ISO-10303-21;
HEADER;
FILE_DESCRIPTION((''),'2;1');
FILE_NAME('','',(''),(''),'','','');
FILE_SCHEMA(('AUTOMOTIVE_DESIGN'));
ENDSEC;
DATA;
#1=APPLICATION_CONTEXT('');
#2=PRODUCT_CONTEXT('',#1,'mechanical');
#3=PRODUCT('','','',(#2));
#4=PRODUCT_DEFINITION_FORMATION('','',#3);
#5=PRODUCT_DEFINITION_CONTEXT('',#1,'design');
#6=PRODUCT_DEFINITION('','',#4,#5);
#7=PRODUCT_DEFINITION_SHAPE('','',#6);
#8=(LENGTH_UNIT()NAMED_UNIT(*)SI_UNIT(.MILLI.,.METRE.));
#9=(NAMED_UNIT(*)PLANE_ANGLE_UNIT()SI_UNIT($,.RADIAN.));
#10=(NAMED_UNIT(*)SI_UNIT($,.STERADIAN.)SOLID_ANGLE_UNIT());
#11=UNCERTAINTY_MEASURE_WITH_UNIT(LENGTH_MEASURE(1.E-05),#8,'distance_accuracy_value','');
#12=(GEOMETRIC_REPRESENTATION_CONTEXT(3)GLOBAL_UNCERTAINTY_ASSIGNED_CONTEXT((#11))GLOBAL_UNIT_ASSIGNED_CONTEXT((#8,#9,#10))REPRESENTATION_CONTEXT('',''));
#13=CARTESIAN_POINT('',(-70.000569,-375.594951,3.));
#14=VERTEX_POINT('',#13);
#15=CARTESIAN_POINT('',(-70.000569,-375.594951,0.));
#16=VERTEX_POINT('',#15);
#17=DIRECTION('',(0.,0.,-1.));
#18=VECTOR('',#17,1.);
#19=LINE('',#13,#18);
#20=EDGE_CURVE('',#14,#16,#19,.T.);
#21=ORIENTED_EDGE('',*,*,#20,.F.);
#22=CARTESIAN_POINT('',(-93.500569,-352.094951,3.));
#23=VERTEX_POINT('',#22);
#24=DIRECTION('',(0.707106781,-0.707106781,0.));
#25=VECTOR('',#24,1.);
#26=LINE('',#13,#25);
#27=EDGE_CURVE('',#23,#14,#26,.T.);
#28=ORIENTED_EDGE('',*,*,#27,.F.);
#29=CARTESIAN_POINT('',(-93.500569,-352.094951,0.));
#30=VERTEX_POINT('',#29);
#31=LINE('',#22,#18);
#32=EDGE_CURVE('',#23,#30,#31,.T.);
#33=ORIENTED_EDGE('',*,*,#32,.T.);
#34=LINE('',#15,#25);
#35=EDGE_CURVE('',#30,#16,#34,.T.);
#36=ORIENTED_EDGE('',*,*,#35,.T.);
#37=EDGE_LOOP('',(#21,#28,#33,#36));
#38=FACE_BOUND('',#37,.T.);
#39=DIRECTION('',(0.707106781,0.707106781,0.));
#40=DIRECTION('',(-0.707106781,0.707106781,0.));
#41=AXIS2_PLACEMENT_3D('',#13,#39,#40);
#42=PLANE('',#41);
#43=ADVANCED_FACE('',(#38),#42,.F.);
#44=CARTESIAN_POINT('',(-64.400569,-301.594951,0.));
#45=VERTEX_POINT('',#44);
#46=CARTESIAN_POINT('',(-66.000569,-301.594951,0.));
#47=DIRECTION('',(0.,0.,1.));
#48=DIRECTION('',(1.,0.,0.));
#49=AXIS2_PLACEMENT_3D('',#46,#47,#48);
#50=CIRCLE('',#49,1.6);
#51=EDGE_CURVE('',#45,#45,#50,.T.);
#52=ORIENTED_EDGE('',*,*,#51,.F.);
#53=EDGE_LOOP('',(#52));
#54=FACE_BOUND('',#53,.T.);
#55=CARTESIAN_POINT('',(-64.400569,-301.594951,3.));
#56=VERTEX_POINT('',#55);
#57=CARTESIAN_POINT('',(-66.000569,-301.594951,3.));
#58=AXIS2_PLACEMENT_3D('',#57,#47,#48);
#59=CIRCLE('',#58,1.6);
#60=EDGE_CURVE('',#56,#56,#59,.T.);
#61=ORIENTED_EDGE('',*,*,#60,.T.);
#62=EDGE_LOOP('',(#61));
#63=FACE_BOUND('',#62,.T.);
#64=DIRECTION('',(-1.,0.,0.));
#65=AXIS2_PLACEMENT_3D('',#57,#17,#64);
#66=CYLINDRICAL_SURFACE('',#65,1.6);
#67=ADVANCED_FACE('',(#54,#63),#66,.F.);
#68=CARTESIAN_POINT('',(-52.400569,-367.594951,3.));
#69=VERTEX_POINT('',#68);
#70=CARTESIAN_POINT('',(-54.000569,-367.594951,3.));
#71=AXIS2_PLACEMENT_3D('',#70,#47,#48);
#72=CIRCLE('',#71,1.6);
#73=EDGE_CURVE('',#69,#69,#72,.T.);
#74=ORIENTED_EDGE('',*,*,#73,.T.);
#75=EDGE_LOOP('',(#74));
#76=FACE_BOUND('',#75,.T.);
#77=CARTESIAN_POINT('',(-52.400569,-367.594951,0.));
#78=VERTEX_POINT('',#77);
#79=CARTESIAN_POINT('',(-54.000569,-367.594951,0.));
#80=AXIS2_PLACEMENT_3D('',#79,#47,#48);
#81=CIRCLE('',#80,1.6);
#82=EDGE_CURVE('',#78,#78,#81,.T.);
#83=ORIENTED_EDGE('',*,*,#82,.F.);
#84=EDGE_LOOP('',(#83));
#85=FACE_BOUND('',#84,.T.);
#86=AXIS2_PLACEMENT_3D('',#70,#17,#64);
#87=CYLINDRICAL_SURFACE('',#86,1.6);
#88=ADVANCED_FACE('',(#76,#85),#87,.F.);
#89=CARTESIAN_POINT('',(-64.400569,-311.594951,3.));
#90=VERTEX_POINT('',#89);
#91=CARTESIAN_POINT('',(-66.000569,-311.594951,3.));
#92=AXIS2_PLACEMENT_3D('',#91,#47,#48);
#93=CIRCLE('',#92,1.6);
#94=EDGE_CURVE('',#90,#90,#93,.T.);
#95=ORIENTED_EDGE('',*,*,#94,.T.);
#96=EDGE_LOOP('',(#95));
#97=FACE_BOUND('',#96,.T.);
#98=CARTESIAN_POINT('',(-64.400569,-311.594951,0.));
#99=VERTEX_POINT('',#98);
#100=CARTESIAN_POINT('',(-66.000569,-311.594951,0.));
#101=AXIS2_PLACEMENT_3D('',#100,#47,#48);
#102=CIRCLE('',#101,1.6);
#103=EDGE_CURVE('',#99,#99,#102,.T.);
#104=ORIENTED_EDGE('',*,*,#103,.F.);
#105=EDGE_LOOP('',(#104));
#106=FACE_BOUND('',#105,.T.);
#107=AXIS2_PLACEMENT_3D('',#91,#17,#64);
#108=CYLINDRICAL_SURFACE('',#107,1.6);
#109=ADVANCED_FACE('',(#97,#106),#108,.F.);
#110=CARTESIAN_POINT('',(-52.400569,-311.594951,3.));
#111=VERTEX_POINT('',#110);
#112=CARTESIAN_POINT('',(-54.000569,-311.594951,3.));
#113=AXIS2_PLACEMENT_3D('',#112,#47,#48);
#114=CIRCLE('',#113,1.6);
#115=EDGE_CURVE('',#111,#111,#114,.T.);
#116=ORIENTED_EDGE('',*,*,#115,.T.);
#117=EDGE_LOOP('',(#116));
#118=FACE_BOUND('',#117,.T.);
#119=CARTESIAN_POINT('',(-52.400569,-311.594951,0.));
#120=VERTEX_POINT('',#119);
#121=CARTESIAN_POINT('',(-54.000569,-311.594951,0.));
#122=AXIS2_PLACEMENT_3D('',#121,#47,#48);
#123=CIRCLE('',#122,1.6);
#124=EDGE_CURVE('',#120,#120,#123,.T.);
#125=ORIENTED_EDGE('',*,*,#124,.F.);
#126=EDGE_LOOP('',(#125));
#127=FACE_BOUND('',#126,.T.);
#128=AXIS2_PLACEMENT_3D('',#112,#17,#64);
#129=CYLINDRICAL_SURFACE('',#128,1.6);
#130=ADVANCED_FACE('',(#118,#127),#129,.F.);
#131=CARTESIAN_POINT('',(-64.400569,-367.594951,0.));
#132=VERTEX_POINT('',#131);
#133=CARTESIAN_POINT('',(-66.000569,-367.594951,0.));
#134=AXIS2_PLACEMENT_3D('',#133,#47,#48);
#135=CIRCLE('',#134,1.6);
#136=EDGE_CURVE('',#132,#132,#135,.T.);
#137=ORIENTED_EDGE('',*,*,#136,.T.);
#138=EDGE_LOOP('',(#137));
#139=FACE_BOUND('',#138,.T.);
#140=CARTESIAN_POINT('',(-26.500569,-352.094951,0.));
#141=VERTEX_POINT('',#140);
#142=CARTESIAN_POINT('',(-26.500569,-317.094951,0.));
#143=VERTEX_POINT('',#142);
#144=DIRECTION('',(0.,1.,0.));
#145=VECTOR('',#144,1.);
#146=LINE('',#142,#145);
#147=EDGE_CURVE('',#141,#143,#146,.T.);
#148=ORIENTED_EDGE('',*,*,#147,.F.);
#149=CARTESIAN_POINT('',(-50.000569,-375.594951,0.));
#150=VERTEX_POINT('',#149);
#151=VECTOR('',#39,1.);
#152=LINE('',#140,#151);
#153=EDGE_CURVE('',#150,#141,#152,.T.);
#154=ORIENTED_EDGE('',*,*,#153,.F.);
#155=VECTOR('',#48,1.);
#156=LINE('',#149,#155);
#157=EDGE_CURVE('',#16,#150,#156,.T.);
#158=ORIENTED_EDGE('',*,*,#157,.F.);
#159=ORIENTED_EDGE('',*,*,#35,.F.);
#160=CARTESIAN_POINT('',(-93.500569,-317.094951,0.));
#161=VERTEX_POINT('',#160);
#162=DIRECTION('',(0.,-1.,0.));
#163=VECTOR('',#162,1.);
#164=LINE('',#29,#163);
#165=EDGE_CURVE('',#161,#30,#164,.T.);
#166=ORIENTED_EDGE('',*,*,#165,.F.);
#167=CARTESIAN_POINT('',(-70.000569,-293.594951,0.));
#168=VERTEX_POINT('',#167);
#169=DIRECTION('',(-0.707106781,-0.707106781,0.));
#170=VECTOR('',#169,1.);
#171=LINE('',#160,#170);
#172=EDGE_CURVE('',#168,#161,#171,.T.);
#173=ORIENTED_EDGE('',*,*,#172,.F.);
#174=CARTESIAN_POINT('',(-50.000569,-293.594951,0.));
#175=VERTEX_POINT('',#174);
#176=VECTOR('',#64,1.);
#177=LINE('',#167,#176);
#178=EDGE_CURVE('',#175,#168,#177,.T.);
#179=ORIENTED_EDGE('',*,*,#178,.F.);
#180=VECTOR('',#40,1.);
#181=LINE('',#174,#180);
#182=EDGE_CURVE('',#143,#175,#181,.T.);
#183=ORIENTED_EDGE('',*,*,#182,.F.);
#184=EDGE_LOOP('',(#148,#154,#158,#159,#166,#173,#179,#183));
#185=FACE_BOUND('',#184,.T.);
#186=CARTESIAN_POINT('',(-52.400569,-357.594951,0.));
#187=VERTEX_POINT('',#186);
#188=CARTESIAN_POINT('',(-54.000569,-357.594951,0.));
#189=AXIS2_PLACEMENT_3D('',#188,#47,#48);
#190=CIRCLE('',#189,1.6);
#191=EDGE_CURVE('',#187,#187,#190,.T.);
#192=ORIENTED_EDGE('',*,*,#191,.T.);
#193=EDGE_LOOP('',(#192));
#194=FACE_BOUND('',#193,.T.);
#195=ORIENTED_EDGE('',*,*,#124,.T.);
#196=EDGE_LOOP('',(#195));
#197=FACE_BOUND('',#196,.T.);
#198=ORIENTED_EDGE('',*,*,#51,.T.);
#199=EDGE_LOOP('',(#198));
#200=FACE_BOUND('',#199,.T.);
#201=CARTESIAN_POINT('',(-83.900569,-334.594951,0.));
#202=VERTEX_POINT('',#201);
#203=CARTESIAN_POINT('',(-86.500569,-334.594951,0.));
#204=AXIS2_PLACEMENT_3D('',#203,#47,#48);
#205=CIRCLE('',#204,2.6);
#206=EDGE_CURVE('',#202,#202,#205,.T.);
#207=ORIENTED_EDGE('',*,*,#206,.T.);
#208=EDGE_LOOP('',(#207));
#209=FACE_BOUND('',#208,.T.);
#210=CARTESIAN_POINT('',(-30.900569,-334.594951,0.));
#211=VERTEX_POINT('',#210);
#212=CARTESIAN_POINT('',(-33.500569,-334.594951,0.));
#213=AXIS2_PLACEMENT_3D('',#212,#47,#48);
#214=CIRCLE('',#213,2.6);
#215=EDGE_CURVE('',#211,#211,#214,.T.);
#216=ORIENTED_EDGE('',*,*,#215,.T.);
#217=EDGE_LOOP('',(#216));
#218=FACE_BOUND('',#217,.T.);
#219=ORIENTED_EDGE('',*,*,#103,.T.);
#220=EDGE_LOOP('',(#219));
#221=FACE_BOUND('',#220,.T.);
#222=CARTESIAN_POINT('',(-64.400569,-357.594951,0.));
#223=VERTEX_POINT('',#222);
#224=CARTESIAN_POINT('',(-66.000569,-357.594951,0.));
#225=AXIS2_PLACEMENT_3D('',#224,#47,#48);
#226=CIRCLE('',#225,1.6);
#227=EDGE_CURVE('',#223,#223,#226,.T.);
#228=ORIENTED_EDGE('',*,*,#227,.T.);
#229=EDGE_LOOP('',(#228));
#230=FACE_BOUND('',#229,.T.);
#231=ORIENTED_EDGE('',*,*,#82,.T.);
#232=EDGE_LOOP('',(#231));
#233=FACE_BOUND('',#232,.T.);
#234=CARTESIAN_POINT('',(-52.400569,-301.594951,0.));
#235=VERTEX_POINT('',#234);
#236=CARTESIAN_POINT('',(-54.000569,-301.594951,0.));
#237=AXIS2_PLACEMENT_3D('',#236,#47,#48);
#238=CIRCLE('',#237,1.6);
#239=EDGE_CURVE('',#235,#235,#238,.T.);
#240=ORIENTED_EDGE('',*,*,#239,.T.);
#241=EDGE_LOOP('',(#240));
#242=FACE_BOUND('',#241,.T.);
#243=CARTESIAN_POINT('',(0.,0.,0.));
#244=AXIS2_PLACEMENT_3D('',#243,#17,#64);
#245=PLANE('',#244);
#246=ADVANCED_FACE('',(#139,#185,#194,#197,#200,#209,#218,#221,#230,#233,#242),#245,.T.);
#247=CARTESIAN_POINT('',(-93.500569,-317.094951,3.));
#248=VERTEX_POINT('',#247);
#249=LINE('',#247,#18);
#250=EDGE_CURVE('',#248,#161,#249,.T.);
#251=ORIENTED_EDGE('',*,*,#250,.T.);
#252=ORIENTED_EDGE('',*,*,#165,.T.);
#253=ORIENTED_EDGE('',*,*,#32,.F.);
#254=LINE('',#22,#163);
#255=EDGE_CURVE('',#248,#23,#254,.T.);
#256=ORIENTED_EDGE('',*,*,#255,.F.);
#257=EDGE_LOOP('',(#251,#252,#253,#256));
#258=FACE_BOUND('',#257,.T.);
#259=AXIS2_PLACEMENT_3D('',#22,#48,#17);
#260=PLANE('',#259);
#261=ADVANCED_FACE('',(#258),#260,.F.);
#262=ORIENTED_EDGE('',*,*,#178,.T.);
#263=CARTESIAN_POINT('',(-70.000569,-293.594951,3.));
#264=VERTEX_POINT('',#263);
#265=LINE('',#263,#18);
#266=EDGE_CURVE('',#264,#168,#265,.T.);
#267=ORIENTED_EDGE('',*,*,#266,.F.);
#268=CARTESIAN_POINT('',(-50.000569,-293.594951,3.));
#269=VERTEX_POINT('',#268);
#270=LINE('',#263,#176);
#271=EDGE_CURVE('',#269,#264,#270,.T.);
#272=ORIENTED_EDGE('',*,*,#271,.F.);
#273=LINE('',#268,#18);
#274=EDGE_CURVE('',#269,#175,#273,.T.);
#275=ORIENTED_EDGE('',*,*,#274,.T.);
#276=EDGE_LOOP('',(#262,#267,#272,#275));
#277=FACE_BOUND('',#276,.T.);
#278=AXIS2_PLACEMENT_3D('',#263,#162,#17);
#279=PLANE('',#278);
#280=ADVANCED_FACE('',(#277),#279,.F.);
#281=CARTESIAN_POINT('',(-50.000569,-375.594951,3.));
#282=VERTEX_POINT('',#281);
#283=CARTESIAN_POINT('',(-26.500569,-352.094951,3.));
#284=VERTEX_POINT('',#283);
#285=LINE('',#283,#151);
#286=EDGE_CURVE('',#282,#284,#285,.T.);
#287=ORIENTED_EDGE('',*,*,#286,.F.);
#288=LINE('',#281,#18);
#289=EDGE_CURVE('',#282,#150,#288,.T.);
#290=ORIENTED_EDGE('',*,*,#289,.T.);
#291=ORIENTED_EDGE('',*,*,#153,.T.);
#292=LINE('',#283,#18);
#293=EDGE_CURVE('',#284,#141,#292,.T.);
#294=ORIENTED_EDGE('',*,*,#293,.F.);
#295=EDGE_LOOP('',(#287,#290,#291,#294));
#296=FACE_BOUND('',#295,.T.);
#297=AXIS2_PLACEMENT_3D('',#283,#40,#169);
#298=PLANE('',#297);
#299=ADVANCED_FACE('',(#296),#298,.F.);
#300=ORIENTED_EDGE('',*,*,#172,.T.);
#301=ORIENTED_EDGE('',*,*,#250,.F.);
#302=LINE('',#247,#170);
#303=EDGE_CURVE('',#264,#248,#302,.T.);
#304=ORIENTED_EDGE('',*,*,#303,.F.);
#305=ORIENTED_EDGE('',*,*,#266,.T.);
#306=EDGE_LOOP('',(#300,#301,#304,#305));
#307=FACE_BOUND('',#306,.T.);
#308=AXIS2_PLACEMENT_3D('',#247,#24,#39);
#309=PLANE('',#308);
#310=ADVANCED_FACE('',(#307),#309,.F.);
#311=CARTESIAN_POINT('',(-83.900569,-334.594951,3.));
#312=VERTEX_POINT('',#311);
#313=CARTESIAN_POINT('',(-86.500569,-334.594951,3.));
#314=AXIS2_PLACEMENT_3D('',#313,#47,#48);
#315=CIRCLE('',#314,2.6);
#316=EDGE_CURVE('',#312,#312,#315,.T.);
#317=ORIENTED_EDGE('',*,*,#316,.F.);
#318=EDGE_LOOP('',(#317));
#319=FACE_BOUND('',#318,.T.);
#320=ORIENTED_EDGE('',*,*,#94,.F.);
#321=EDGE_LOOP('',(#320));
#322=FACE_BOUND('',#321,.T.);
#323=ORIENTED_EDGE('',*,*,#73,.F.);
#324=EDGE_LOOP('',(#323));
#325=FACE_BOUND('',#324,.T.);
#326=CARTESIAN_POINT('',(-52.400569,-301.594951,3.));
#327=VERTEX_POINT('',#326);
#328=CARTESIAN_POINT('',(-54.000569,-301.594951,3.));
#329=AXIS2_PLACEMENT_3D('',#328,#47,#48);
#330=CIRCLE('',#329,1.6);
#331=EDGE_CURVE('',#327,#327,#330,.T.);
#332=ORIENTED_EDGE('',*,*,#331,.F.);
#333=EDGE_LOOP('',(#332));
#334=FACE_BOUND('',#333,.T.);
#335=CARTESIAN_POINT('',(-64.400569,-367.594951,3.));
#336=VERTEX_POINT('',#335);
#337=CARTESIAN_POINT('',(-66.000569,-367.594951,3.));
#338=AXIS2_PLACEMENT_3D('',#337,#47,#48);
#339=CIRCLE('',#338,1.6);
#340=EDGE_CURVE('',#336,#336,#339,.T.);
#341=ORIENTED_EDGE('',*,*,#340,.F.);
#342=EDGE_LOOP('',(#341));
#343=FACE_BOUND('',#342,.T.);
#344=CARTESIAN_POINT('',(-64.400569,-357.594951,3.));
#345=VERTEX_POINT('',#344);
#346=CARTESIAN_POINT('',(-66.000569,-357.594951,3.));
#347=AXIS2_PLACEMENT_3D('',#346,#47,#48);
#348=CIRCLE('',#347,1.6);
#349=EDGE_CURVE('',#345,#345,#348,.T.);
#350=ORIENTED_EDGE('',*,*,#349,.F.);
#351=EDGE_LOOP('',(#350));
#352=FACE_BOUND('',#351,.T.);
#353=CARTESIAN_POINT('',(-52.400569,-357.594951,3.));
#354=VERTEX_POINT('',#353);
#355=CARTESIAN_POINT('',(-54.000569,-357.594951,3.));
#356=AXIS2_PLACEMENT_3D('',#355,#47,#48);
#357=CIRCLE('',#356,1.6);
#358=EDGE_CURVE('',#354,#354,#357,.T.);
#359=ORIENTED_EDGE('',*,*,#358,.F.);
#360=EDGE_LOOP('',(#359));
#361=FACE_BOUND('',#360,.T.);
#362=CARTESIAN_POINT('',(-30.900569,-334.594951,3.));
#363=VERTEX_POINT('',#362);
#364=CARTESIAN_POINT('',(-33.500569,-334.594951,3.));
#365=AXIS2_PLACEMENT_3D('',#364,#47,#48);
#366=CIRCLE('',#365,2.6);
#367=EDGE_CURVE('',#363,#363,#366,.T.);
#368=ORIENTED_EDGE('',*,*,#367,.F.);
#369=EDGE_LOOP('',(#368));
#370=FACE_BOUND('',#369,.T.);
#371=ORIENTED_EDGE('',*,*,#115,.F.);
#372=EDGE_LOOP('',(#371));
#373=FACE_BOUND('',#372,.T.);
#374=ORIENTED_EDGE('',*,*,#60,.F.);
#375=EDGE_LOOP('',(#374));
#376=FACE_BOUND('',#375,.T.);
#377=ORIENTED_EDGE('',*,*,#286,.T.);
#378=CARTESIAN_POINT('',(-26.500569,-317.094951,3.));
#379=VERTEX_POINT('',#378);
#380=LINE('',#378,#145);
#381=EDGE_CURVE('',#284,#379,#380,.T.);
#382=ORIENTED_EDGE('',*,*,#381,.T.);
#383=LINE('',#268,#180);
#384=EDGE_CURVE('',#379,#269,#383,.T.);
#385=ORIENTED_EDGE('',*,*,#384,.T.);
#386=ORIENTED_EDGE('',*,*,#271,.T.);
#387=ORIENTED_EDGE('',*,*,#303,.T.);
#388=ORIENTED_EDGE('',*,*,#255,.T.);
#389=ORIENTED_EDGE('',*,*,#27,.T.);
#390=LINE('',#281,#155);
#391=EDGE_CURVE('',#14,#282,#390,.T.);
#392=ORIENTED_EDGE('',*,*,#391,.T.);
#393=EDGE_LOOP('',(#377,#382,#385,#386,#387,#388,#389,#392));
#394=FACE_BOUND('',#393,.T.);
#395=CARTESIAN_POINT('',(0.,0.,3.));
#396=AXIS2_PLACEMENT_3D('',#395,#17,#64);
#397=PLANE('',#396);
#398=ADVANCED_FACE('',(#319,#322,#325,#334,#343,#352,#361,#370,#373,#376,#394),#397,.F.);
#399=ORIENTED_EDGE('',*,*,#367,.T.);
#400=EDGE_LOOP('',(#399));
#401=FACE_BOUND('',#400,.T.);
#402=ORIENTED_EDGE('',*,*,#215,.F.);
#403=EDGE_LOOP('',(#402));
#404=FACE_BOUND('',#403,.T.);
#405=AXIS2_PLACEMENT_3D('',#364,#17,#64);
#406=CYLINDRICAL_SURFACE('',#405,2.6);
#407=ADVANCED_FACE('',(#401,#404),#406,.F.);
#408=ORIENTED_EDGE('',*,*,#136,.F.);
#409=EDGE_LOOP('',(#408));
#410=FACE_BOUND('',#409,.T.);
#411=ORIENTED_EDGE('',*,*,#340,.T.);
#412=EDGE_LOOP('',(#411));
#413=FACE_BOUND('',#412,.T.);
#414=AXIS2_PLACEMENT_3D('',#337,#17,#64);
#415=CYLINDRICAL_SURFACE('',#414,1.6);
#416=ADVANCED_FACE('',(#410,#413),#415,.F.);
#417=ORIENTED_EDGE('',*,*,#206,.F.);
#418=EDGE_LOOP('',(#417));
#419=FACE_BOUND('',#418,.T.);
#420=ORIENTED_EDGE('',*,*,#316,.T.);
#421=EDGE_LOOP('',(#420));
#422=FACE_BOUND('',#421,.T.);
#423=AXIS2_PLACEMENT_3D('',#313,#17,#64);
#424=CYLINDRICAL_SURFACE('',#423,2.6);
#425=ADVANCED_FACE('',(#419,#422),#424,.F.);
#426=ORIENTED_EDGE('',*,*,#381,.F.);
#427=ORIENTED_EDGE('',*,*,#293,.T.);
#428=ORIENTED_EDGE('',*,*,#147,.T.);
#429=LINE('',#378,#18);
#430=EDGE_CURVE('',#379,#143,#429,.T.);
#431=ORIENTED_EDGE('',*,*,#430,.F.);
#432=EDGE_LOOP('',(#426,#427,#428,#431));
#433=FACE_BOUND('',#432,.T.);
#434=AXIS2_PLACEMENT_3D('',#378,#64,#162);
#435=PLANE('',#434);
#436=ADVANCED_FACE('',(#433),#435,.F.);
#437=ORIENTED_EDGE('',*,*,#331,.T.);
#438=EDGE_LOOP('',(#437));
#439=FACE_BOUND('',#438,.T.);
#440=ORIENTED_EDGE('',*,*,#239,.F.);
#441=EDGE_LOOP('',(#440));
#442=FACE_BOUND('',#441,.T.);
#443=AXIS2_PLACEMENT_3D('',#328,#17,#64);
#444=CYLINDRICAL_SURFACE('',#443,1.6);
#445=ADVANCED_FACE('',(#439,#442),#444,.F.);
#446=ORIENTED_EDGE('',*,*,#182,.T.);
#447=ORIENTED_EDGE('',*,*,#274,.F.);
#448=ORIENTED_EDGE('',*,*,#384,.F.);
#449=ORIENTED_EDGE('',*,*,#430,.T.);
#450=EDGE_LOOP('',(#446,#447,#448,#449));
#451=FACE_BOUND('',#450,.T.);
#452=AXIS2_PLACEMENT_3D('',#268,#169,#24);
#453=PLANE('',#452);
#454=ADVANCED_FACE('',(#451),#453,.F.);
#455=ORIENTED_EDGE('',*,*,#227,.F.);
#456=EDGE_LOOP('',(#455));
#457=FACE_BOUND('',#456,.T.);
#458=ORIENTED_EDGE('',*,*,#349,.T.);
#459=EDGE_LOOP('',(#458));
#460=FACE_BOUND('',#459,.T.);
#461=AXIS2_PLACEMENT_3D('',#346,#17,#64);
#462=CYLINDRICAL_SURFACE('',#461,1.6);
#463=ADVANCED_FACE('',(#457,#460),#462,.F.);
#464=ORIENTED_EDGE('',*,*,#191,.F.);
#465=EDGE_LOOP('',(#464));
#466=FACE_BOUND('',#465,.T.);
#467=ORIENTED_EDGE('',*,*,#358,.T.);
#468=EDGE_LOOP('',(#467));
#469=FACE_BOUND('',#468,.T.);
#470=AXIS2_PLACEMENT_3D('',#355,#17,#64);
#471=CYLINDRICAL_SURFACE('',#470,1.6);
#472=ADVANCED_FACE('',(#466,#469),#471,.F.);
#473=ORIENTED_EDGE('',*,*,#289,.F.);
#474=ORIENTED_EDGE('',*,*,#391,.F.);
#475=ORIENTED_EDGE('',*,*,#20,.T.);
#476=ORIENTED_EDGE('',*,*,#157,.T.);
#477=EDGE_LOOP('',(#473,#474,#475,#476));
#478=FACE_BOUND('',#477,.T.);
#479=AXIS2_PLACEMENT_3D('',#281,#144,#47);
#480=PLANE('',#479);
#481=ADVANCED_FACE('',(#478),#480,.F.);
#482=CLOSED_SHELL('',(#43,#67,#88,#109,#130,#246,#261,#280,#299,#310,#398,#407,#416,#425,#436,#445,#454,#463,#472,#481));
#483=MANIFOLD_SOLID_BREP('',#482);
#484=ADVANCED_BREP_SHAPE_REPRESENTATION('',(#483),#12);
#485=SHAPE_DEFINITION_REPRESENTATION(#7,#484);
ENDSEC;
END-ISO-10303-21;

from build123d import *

# Parameters (mm, degrees)
SKETCH1_R           = 2.6
SKETCH1_R_2         = 1.6
BOSS_EXTRUDE1_DEPTH = 3


with BuildPart() as part:
    # Sketch1 → Boss-Extrude1 (new body)
    with BuildSketch(Plane.XY):
        Polygon((-70.000568612, -293.594950635), (-50.000568612, -293.594950635), (-26.500568612, -317.094950635), (-26.500568612, -352.094950635), (-50.000568612, -375.594950635), (-70.000568612, -375.594950635), (-93.500568612, -352.094950635), (-93.500568612, -317.094950635), align=None)
        with Locations((-86.500568612, -334.594950635)):
            Circle(SKETCH1_R, mode=Mode.SUBTRACT)
        with Locations((-33.500568612, -334.594950635)):
            Circle(SKETCH1_R, mode=Mode.SUBTRACT)
        with Locations((-66.000568612, -301.594950635)):
            Circle(SKETCH1_R_2, mode=Mode.SUBTRACT)
        with Locations((-54.000568612, -301.594950635)):
            Circle(SKETCH1_R_2, mode=Mode.SUBTRACT)
        with Locations((-66.000568612, -367.594950635)):
            Circle(SKETCH1_R_2, mode=Mode.SUBTRACT)
        with Locations((-54.000568612, -367.594950635)):
            Circle(SKETCH1_R_2, mode=Mode.SUBTRACT)
        with Locations((-66.000568612, -311.594950635)):
            Circle(SKETCH1_R_2, mode=Mode.SUBTRACT)
        with Locations((-54.000568612, -311.594950635)):
            Circle(SKETCH1_R_2, mode=Mode.SUBTRACT)
        with Locations((-66.000568612, -357.594950635)):
            Circle(SKETCH1_R_2, mode=Mode.SUBTRACT)
        with Locations((-54.000568612, -357.594950635)):
            Circle(SKETCH1_R_2, mode=Mode.SUBTRACT)
    extrude(amount=BOSS_EXTRUDE1_DEPTH)


solid = part.part
